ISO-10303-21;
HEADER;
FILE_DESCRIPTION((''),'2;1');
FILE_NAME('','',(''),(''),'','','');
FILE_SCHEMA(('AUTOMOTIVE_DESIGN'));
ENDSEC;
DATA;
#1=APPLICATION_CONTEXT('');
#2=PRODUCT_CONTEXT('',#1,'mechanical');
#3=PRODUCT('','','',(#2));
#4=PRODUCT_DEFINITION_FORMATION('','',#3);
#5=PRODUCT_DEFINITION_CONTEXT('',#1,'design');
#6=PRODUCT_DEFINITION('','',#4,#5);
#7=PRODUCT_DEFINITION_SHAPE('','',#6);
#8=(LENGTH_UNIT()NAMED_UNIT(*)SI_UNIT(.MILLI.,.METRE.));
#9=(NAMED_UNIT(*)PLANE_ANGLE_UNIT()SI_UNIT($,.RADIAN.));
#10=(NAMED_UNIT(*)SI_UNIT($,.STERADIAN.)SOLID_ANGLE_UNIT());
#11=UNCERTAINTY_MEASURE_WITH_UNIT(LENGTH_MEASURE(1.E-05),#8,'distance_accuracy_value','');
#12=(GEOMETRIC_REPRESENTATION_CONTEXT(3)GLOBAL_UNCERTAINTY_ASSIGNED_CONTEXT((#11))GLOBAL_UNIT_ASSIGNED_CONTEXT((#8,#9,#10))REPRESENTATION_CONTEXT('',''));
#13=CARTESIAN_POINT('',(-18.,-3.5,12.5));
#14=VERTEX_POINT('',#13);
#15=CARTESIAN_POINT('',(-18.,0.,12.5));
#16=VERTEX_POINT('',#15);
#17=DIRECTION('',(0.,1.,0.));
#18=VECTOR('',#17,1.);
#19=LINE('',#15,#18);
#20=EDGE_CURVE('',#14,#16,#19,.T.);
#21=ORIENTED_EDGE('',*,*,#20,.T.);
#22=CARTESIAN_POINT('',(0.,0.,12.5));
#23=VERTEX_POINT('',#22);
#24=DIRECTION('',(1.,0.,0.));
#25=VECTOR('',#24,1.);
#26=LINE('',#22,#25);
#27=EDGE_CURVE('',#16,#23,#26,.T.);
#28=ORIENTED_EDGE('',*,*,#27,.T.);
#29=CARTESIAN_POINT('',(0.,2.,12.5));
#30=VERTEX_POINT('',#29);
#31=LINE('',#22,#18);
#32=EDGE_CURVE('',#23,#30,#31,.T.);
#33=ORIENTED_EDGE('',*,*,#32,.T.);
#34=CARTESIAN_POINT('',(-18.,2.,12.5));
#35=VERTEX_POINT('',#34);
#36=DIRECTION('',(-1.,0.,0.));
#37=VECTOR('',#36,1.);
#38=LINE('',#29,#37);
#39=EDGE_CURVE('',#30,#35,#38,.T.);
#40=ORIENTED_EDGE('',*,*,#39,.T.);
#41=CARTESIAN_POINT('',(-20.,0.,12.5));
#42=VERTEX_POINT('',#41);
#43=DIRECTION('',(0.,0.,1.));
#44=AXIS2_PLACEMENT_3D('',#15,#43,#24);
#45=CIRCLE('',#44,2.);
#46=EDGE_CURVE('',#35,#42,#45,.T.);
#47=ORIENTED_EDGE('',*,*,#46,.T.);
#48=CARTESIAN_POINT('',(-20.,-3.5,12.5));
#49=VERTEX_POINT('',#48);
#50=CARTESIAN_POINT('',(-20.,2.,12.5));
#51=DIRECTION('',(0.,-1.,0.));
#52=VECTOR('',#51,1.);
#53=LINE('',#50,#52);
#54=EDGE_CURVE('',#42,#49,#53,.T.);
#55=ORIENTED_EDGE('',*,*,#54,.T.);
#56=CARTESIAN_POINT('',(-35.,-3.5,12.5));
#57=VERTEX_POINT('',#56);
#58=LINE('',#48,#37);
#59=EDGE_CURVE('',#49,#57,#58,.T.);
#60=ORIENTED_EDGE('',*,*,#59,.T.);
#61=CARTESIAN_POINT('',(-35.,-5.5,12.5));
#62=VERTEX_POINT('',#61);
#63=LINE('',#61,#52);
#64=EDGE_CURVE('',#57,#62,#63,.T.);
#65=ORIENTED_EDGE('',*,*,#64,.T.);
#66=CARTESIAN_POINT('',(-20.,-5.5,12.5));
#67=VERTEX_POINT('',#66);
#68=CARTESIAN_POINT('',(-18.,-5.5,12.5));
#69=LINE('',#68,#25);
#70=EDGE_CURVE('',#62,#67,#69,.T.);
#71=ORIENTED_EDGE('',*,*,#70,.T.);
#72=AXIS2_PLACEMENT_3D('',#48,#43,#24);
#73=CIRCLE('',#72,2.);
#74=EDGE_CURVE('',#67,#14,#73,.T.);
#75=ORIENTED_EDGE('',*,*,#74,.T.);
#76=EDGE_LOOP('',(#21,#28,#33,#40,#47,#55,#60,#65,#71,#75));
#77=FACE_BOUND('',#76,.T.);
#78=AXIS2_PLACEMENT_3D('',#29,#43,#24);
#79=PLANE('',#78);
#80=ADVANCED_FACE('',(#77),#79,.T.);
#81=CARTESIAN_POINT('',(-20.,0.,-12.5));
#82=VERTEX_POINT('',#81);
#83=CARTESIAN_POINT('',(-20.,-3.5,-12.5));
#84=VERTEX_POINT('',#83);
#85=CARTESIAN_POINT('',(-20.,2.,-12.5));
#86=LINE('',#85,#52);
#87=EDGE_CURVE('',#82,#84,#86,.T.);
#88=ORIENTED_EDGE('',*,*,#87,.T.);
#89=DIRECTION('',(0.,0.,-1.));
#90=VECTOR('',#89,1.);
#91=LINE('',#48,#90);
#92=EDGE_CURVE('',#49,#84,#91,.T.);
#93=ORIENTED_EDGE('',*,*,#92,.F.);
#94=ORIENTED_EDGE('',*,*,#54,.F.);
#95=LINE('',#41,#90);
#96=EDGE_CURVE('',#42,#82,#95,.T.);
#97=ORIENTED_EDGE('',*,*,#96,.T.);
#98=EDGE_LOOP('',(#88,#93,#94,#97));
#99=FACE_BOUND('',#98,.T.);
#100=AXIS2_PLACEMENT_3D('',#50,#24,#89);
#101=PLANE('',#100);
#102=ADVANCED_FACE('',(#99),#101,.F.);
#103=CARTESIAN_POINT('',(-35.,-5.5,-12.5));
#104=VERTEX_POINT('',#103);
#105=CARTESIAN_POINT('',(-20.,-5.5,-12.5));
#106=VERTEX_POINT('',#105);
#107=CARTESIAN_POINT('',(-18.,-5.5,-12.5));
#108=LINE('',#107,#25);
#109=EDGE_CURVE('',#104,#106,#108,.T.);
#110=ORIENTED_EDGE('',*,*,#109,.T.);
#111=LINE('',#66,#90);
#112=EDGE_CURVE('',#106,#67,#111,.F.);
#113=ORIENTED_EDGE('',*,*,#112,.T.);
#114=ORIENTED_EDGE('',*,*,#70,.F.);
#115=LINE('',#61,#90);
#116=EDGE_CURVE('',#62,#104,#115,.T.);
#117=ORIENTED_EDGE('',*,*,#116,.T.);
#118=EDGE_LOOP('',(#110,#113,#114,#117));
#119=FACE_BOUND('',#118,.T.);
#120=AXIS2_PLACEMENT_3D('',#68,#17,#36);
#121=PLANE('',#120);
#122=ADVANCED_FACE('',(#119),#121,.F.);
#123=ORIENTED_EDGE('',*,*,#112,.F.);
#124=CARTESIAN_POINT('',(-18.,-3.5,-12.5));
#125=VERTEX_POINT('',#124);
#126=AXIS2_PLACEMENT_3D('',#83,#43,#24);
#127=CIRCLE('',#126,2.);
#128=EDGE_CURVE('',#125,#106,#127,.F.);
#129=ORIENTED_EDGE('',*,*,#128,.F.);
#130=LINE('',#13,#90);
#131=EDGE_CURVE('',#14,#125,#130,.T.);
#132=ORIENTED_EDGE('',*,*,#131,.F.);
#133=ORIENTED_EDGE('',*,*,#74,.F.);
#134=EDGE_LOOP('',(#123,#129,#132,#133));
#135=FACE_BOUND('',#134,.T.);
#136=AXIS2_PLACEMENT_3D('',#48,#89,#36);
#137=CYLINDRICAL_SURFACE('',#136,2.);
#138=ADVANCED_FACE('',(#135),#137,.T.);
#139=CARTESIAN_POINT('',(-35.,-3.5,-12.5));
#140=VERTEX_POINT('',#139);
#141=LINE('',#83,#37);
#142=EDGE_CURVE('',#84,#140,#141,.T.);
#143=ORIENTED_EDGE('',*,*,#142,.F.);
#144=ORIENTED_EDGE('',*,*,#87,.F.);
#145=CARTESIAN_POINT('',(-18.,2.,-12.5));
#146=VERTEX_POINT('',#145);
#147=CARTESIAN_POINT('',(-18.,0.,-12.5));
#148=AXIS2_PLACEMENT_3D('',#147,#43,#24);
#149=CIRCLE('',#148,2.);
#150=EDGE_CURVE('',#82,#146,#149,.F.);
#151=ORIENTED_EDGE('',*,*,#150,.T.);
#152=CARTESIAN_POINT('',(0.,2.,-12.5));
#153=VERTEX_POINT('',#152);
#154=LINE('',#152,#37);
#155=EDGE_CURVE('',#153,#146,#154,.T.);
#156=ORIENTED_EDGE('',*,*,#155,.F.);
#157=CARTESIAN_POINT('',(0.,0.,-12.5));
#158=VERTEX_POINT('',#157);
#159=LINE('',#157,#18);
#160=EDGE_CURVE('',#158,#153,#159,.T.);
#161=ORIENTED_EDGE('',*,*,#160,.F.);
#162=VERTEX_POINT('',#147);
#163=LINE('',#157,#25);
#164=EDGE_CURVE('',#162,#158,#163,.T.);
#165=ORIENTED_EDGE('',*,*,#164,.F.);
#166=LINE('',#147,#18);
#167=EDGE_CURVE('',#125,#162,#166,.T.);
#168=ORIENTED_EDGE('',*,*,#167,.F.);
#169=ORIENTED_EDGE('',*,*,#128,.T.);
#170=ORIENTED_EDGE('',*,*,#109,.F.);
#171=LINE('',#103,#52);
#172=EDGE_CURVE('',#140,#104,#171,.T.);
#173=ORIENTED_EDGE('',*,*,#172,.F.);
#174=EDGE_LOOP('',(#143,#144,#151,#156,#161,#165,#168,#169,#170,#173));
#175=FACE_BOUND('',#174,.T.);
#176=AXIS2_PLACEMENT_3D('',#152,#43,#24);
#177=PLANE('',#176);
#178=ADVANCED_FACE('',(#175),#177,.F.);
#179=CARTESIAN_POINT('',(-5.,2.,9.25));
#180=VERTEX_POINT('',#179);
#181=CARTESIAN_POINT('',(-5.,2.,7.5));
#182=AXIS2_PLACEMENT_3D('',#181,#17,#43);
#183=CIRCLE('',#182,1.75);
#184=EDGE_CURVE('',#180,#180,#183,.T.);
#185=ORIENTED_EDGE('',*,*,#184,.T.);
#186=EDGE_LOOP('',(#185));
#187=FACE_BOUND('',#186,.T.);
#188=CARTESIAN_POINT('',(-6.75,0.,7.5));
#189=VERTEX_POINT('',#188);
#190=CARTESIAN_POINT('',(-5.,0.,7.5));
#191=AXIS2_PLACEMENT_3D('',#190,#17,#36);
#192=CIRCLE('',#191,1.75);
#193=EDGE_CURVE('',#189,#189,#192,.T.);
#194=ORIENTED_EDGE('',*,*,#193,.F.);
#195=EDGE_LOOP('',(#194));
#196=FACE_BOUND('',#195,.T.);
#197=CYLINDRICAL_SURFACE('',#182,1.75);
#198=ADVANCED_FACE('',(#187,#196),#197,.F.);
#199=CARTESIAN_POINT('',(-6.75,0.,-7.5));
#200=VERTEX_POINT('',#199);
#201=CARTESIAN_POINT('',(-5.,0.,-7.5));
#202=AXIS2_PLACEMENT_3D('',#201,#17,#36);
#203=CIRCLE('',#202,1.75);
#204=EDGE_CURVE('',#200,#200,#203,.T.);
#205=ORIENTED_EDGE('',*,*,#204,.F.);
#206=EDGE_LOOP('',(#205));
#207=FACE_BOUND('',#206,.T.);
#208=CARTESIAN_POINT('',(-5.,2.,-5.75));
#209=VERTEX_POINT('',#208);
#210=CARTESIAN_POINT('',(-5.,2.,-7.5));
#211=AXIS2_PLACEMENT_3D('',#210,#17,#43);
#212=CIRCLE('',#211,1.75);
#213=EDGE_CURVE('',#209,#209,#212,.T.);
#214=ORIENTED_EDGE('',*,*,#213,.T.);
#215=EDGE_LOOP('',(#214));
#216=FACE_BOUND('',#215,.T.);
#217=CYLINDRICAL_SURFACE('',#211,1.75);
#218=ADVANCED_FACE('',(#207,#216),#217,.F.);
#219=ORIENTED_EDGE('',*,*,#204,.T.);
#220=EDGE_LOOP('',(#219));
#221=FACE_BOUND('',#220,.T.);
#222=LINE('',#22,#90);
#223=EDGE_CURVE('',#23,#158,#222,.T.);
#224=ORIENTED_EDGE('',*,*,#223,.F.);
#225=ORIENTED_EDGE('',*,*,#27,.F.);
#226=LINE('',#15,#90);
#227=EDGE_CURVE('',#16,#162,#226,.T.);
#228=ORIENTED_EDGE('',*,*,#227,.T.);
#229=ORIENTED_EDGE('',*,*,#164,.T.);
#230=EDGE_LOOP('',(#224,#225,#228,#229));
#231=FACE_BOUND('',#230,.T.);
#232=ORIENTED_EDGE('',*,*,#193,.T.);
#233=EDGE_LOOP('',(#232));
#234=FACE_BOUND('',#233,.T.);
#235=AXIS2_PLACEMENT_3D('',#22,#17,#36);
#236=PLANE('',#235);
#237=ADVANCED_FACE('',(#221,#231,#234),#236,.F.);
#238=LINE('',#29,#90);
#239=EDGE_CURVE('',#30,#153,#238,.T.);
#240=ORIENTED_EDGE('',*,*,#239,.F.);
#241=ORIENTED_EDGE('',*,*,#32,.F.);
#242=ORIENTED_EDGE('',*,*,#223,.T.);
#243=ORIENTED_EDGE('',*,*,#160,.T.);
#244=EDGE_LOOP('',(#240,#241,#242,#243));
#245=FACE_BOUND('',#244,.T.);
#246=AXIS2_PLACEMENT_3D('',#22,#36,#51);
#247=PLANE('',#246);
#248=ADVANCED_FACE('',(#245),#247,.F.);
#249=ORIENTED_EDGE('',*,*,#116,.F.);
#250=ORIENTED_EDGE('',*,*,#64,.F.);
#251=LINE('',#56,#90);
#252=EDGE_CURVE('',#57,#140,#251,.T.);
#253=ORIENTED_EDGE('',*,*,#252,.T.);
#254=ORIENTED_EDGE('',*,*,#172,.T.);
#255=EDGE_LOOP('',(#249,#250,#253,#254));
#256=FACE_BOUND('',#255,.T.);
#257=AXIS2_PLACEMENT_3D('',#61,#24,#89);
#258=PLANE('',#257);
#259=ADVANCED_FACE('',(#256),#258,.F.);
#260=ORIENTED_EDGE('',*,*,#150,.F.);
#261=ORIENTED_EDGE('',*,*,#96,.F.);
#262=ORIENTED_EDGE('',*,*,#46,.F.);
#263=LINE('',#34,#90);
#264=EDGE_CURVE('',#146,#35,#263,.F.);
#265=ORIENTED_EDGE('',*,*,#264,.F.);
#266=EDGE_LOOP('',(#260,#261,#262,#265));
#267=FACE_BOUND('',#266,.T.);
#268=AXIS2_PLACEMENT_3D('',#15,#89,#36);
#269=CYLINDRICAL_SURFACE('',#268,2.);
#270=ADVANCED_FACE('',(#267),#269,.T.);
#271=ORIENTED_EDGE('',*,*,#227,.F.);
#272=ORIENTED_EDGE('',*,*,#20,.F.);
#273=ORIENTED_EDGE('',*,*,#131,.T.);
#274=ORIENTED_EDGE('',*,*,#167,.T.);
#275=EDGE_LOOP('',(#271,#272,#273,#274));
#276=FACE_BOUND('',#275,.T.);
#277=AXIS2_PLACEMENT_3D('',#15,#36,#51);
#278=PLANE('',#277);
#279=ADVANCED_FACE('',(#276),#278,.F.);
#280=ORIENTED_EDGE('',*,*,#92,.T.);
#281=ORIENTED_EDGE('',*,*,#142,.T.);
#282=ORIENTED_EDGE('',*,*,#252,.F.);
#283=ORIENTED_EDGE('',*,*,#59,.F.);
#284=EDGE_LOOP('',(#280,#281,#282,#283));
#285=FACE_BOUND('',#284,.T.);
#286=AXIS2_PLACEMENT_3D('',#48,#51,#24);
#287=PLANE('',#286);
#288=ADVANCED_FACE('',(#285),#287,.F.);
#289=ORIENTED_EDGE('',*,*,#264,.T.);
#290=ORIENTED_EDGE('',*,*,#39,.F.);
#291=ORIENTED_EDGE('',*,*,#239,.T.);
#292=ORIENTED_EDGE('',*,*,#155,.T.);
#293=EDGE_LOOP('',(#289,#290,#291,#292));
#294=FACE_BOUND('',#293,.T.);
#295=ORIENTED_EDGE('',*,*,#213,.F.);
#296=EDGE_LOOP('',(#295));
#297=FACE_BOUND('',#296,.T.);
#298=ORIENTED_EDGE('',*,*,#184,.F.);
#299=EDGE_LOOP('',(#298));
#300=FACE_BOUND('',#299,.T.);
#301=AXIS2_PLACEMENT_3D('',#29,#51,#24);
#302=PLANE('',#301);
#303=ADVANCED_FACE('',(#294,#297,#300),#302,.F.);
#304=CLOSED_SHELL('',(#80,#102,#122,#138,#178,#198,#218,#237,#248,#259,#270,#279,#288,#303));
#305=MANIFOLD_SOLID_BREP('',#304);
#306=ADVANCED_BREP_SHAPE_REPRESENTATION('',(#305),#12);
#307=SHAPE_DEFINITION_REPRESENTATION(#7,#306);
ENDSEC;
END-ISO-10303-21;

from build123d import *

# Parameters (mm, degrees)
BOSS_EXTRUDE1_DEPTH        = 12.5
FILLET1_R                  = 2
F_3_5_3_5_DIAMETER_HOLE1_D = 3.5


with BuildPart() as part:
    # Sketch1 → Boss-Extrude1 (new body, symmetric)
    with BuildSketch(Plane.XY):
        Polygon((0, 0), (-18, 0), (-18, -5.5), (-35, -5.5), (-35, -3.5), (-20, -3.5), (-20, 2), (0, 2), align=None)
    extrude(amount=BOSS_EXTRUDE1_DEPTH, both=True)

    # Fillet1
    fillet1_edges = [part.edges().sort_by_distance(p)[0] for p in [
        (-18, -5.5, 0),
        (-20, 2, 0),
    ]]
    fillet(fillet1_edges, radius=FILLET1_R)

    # Ø3.5 (3.5) Diameter Hole1 (through all)
    with Locations(Plane(origin=(0, 2, 0), x_dir=(-1, 0, 0), z_dir=(0, 1, 0))):
        with Locations((5, -7.5), (5, 7.5)):
            Hole(F_3_5_3_5_DIAMETER_HOLE1_D / 2)


solid = part.part
